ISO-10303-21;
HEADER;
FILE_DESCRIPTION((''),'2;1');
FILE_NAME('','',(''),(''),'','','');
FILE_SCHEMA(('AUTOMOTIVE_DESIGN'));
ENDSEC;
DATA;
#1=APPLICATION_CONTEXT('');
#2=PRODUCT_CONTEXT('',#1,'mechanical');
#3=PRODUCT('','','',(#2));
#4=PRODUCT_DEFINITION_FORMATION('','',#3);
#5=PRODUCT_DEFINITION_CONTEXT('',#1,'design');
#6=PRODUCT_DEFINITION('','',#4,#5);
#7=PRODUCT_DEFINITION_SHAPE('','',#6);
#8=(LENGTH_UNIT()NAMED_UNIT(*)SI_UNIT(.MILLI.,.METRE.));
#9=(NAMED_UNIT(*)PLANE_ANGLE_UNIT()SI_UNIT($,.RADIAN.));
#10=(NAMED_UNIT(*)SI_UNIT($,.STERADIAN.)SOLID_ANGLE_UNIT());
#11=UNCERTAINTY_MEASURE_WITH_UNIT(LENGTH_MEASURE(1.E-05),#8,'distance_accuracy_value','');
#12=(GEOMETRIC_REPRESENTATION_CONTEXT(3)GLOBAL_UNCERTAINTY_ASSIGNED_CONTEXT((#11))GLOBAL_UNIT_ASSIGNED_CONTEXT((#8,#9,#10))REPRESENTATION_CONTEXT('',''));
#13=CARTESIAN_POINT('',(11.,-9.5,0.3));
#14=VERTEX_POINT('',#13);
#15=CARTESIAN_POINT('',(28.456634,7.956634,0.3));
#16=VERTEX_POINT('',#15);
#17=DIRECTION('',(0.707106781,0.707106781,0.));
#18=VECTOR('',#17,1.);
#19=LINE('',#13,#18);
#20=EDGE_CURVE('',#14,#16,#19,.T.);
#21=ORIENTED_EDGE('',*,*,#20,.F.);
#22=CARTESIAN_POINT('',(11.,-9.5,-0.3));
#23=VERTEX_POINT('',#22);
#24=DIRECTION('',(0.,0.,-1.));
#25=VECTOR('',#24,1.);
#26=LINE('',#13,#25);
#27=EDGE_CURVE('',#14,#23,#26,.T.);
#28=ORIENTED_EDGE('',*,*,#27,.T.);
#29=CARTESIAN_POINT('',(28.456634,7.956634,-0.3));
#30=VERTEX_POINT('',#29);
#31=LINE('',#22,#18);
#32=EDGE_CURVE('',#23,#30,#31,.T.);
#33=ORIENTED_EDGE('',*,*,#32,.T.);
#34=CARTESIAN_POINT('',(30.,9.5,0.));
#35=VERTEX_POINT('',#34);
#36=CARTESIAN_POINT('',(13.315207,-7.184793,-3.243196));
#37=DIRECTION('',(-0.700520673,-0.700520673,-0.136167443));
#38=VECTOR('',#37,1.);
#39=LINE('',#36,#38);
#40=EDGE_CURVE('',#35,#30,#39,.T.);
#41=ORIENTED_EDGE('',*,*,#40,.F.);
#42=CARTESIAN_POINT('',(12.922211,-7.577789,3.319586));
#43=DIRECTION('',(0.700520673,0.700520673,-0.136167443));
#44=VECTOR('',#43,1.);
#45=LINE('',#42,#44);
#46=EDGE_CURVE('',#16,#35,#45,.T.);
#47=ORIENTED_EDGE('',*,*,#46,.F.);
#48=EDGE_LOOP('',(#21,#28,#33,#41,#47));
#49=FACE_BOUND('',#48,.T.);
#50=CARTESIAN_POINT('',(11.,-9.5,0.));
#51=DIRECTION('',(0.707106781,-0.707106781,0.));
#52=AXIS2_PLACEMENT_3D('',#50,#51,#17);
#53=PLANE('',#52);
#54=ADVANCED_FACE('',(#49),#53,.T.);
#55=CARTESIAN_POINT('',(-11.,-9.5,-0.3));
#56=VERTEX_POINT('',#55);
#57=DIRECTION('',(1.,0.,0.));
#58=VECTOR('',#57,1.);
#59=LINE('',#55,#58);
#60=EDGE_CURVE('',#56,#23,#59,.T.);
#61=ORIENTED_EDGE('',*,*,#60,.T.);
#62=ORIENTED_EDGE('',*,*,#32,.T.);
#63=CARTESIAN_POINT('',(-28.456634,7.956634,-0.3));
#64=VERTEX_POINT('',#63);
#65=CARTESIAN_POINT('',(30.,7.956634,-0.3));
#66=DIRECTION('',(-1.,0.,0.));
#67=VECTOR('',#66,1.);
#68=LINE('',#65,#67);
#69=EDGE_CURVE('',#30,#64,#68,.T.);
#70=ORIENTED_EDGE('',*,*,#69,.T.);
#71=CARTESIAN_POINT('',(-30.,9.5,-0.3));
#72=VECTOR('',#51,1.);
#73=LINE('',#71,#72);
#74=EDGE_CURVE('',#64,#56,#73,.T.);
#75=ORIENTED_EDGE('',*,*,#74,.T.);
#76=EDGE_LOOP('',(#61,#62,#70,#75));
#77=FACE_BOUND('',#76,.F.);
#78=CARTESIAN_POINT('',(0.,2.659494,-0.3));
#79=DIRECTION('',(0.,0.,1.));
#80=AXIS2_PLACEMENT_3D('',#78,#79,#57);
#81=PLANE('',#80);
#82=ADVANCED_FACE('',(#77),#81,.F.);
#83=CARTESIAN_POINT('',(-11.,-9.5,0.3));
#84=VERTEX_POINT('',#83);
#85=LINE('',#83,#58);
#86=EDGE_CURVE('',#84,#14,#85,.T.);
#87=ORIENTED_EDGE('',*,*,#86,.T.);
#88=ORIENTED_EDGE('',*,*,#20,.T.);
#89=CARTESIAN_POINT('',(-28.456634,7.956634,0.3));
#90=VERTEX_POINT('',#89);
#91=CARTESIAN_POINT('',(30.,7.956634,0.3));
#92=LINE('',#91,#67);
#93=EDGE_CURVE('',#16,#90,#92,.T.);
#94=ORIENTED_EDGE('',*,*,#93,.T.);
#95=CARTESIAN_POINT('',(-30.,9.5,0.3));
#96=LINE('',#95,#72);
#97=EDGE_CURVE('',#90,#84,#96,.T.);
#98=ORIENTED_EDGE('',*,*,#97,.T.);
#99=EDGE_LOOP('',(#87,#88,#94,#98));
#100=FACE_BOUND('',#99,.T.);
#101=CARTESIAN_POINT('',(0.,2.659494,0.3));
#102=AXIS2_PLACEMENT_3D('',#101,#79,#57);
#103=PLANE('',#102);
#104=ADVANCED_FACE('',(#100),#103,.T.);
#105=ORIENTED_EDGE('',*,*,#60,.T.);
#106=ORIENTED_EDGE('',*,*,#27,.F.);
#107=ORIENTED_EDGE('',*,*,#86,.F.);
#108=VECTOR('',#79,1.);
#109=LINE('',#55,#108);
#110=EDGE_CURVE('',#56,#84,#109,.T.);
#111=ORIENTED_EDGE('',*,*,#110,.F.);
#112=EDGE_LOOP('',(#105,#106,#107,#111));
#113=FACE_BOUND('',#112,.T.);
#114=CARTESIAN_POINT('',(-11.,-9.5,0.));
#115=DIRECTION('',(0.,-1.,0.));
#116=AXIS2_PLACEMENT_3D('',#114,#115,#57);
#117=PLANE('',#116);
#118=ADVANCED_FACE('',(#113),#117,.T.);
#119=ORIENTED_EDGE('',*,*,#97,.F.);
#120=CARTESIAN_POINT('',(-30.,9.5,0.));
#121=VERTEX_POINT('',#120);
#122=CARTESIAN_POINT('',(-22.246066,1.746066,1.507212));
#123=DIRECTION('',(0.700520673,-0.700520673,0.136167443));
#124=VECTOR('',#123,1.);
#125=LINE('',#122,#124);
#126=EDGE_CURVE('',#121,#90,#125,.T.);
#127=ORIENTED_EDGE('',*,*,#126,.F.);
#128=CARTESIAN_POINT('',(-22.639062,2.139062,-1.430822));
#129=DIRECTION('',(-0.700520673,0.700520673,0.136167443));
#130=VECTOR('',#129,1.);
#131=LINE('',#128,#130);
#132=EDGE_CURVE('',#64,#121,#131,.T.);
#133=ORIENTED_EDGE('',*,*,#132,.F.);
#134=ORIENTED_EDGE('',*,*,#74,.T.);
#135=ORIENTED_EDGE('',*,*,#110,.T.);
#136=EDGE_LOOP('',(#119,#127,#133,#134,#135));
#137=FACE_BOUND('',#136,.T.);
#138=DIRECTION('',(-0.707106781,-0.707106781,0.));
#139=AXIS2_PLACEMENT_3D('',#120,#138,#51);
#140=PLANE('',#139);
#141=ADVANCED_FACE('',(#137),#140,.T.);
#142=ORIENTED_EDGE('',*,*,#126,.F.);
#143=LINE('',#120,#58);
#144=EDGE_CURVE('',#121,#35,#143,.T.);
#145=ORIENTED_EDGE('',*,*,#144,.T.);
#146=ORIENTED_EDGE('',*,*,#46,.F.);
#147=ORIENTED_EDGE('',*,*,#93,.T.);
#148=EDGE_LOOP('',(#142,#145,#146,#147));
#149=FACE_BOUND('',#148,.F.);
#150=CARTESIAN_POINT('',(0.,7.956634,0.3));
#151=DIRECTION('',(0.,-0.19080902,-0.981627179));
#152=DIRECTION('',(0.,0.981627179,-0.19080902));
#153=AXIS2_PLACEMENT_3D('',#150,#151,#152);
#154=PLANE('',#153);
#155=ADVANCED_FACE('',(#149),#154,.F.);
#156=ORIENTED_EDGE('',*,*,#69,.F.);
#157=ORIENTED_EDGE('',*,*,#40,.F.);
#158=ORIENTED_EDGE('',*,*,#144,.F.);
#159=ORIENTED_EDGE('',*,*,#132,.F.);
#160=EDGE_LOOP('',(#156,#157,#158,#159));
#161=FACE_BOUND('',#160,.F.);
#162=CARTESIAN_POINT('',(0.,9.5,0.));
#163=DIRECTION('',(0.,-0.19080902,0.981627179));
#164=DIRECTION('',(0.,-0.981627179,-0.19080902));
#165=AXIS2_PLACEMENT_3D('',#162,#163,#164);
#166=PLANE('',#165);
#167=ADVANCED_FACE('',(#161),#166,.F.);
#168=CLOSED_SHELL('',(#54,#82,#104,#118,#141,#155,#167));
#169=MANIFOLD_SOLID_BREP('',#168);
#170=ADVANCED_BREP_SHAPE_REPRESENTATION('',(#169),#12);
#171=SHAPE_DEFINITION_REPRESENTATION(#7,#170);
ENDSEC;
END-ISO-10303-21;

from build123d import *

# Parameters (mm, degrees)
F1_DEPTH = 0.3
F3_DEPTH = 30


with BuildPart() as f1:
    # F0 (on Top) → F1 (new body, symmetric)
    with BuildSketch(Plane.XY):
        Polygon((30, 9.5), (-30, 9.5), (-11, -9.5), (11, -9.5), align=None)
    extrude(amount=F1_DEPTH, both=True)

    # F2 (on Right) → F3 (cut, symmetric)
    with BuildSketch(Plane.YZ):
        Polygon((9.5, 0), (9.5, 0.3), (7.956634, 0.3), align=None)
        Polygon((9.5, -0.3), (9.5, 0), (7.956634, -0.3), align=None)
    extrude(amount=F3_DEPTH, both=True, mode=Mode.SUBTRACT)


solid = f1.part
